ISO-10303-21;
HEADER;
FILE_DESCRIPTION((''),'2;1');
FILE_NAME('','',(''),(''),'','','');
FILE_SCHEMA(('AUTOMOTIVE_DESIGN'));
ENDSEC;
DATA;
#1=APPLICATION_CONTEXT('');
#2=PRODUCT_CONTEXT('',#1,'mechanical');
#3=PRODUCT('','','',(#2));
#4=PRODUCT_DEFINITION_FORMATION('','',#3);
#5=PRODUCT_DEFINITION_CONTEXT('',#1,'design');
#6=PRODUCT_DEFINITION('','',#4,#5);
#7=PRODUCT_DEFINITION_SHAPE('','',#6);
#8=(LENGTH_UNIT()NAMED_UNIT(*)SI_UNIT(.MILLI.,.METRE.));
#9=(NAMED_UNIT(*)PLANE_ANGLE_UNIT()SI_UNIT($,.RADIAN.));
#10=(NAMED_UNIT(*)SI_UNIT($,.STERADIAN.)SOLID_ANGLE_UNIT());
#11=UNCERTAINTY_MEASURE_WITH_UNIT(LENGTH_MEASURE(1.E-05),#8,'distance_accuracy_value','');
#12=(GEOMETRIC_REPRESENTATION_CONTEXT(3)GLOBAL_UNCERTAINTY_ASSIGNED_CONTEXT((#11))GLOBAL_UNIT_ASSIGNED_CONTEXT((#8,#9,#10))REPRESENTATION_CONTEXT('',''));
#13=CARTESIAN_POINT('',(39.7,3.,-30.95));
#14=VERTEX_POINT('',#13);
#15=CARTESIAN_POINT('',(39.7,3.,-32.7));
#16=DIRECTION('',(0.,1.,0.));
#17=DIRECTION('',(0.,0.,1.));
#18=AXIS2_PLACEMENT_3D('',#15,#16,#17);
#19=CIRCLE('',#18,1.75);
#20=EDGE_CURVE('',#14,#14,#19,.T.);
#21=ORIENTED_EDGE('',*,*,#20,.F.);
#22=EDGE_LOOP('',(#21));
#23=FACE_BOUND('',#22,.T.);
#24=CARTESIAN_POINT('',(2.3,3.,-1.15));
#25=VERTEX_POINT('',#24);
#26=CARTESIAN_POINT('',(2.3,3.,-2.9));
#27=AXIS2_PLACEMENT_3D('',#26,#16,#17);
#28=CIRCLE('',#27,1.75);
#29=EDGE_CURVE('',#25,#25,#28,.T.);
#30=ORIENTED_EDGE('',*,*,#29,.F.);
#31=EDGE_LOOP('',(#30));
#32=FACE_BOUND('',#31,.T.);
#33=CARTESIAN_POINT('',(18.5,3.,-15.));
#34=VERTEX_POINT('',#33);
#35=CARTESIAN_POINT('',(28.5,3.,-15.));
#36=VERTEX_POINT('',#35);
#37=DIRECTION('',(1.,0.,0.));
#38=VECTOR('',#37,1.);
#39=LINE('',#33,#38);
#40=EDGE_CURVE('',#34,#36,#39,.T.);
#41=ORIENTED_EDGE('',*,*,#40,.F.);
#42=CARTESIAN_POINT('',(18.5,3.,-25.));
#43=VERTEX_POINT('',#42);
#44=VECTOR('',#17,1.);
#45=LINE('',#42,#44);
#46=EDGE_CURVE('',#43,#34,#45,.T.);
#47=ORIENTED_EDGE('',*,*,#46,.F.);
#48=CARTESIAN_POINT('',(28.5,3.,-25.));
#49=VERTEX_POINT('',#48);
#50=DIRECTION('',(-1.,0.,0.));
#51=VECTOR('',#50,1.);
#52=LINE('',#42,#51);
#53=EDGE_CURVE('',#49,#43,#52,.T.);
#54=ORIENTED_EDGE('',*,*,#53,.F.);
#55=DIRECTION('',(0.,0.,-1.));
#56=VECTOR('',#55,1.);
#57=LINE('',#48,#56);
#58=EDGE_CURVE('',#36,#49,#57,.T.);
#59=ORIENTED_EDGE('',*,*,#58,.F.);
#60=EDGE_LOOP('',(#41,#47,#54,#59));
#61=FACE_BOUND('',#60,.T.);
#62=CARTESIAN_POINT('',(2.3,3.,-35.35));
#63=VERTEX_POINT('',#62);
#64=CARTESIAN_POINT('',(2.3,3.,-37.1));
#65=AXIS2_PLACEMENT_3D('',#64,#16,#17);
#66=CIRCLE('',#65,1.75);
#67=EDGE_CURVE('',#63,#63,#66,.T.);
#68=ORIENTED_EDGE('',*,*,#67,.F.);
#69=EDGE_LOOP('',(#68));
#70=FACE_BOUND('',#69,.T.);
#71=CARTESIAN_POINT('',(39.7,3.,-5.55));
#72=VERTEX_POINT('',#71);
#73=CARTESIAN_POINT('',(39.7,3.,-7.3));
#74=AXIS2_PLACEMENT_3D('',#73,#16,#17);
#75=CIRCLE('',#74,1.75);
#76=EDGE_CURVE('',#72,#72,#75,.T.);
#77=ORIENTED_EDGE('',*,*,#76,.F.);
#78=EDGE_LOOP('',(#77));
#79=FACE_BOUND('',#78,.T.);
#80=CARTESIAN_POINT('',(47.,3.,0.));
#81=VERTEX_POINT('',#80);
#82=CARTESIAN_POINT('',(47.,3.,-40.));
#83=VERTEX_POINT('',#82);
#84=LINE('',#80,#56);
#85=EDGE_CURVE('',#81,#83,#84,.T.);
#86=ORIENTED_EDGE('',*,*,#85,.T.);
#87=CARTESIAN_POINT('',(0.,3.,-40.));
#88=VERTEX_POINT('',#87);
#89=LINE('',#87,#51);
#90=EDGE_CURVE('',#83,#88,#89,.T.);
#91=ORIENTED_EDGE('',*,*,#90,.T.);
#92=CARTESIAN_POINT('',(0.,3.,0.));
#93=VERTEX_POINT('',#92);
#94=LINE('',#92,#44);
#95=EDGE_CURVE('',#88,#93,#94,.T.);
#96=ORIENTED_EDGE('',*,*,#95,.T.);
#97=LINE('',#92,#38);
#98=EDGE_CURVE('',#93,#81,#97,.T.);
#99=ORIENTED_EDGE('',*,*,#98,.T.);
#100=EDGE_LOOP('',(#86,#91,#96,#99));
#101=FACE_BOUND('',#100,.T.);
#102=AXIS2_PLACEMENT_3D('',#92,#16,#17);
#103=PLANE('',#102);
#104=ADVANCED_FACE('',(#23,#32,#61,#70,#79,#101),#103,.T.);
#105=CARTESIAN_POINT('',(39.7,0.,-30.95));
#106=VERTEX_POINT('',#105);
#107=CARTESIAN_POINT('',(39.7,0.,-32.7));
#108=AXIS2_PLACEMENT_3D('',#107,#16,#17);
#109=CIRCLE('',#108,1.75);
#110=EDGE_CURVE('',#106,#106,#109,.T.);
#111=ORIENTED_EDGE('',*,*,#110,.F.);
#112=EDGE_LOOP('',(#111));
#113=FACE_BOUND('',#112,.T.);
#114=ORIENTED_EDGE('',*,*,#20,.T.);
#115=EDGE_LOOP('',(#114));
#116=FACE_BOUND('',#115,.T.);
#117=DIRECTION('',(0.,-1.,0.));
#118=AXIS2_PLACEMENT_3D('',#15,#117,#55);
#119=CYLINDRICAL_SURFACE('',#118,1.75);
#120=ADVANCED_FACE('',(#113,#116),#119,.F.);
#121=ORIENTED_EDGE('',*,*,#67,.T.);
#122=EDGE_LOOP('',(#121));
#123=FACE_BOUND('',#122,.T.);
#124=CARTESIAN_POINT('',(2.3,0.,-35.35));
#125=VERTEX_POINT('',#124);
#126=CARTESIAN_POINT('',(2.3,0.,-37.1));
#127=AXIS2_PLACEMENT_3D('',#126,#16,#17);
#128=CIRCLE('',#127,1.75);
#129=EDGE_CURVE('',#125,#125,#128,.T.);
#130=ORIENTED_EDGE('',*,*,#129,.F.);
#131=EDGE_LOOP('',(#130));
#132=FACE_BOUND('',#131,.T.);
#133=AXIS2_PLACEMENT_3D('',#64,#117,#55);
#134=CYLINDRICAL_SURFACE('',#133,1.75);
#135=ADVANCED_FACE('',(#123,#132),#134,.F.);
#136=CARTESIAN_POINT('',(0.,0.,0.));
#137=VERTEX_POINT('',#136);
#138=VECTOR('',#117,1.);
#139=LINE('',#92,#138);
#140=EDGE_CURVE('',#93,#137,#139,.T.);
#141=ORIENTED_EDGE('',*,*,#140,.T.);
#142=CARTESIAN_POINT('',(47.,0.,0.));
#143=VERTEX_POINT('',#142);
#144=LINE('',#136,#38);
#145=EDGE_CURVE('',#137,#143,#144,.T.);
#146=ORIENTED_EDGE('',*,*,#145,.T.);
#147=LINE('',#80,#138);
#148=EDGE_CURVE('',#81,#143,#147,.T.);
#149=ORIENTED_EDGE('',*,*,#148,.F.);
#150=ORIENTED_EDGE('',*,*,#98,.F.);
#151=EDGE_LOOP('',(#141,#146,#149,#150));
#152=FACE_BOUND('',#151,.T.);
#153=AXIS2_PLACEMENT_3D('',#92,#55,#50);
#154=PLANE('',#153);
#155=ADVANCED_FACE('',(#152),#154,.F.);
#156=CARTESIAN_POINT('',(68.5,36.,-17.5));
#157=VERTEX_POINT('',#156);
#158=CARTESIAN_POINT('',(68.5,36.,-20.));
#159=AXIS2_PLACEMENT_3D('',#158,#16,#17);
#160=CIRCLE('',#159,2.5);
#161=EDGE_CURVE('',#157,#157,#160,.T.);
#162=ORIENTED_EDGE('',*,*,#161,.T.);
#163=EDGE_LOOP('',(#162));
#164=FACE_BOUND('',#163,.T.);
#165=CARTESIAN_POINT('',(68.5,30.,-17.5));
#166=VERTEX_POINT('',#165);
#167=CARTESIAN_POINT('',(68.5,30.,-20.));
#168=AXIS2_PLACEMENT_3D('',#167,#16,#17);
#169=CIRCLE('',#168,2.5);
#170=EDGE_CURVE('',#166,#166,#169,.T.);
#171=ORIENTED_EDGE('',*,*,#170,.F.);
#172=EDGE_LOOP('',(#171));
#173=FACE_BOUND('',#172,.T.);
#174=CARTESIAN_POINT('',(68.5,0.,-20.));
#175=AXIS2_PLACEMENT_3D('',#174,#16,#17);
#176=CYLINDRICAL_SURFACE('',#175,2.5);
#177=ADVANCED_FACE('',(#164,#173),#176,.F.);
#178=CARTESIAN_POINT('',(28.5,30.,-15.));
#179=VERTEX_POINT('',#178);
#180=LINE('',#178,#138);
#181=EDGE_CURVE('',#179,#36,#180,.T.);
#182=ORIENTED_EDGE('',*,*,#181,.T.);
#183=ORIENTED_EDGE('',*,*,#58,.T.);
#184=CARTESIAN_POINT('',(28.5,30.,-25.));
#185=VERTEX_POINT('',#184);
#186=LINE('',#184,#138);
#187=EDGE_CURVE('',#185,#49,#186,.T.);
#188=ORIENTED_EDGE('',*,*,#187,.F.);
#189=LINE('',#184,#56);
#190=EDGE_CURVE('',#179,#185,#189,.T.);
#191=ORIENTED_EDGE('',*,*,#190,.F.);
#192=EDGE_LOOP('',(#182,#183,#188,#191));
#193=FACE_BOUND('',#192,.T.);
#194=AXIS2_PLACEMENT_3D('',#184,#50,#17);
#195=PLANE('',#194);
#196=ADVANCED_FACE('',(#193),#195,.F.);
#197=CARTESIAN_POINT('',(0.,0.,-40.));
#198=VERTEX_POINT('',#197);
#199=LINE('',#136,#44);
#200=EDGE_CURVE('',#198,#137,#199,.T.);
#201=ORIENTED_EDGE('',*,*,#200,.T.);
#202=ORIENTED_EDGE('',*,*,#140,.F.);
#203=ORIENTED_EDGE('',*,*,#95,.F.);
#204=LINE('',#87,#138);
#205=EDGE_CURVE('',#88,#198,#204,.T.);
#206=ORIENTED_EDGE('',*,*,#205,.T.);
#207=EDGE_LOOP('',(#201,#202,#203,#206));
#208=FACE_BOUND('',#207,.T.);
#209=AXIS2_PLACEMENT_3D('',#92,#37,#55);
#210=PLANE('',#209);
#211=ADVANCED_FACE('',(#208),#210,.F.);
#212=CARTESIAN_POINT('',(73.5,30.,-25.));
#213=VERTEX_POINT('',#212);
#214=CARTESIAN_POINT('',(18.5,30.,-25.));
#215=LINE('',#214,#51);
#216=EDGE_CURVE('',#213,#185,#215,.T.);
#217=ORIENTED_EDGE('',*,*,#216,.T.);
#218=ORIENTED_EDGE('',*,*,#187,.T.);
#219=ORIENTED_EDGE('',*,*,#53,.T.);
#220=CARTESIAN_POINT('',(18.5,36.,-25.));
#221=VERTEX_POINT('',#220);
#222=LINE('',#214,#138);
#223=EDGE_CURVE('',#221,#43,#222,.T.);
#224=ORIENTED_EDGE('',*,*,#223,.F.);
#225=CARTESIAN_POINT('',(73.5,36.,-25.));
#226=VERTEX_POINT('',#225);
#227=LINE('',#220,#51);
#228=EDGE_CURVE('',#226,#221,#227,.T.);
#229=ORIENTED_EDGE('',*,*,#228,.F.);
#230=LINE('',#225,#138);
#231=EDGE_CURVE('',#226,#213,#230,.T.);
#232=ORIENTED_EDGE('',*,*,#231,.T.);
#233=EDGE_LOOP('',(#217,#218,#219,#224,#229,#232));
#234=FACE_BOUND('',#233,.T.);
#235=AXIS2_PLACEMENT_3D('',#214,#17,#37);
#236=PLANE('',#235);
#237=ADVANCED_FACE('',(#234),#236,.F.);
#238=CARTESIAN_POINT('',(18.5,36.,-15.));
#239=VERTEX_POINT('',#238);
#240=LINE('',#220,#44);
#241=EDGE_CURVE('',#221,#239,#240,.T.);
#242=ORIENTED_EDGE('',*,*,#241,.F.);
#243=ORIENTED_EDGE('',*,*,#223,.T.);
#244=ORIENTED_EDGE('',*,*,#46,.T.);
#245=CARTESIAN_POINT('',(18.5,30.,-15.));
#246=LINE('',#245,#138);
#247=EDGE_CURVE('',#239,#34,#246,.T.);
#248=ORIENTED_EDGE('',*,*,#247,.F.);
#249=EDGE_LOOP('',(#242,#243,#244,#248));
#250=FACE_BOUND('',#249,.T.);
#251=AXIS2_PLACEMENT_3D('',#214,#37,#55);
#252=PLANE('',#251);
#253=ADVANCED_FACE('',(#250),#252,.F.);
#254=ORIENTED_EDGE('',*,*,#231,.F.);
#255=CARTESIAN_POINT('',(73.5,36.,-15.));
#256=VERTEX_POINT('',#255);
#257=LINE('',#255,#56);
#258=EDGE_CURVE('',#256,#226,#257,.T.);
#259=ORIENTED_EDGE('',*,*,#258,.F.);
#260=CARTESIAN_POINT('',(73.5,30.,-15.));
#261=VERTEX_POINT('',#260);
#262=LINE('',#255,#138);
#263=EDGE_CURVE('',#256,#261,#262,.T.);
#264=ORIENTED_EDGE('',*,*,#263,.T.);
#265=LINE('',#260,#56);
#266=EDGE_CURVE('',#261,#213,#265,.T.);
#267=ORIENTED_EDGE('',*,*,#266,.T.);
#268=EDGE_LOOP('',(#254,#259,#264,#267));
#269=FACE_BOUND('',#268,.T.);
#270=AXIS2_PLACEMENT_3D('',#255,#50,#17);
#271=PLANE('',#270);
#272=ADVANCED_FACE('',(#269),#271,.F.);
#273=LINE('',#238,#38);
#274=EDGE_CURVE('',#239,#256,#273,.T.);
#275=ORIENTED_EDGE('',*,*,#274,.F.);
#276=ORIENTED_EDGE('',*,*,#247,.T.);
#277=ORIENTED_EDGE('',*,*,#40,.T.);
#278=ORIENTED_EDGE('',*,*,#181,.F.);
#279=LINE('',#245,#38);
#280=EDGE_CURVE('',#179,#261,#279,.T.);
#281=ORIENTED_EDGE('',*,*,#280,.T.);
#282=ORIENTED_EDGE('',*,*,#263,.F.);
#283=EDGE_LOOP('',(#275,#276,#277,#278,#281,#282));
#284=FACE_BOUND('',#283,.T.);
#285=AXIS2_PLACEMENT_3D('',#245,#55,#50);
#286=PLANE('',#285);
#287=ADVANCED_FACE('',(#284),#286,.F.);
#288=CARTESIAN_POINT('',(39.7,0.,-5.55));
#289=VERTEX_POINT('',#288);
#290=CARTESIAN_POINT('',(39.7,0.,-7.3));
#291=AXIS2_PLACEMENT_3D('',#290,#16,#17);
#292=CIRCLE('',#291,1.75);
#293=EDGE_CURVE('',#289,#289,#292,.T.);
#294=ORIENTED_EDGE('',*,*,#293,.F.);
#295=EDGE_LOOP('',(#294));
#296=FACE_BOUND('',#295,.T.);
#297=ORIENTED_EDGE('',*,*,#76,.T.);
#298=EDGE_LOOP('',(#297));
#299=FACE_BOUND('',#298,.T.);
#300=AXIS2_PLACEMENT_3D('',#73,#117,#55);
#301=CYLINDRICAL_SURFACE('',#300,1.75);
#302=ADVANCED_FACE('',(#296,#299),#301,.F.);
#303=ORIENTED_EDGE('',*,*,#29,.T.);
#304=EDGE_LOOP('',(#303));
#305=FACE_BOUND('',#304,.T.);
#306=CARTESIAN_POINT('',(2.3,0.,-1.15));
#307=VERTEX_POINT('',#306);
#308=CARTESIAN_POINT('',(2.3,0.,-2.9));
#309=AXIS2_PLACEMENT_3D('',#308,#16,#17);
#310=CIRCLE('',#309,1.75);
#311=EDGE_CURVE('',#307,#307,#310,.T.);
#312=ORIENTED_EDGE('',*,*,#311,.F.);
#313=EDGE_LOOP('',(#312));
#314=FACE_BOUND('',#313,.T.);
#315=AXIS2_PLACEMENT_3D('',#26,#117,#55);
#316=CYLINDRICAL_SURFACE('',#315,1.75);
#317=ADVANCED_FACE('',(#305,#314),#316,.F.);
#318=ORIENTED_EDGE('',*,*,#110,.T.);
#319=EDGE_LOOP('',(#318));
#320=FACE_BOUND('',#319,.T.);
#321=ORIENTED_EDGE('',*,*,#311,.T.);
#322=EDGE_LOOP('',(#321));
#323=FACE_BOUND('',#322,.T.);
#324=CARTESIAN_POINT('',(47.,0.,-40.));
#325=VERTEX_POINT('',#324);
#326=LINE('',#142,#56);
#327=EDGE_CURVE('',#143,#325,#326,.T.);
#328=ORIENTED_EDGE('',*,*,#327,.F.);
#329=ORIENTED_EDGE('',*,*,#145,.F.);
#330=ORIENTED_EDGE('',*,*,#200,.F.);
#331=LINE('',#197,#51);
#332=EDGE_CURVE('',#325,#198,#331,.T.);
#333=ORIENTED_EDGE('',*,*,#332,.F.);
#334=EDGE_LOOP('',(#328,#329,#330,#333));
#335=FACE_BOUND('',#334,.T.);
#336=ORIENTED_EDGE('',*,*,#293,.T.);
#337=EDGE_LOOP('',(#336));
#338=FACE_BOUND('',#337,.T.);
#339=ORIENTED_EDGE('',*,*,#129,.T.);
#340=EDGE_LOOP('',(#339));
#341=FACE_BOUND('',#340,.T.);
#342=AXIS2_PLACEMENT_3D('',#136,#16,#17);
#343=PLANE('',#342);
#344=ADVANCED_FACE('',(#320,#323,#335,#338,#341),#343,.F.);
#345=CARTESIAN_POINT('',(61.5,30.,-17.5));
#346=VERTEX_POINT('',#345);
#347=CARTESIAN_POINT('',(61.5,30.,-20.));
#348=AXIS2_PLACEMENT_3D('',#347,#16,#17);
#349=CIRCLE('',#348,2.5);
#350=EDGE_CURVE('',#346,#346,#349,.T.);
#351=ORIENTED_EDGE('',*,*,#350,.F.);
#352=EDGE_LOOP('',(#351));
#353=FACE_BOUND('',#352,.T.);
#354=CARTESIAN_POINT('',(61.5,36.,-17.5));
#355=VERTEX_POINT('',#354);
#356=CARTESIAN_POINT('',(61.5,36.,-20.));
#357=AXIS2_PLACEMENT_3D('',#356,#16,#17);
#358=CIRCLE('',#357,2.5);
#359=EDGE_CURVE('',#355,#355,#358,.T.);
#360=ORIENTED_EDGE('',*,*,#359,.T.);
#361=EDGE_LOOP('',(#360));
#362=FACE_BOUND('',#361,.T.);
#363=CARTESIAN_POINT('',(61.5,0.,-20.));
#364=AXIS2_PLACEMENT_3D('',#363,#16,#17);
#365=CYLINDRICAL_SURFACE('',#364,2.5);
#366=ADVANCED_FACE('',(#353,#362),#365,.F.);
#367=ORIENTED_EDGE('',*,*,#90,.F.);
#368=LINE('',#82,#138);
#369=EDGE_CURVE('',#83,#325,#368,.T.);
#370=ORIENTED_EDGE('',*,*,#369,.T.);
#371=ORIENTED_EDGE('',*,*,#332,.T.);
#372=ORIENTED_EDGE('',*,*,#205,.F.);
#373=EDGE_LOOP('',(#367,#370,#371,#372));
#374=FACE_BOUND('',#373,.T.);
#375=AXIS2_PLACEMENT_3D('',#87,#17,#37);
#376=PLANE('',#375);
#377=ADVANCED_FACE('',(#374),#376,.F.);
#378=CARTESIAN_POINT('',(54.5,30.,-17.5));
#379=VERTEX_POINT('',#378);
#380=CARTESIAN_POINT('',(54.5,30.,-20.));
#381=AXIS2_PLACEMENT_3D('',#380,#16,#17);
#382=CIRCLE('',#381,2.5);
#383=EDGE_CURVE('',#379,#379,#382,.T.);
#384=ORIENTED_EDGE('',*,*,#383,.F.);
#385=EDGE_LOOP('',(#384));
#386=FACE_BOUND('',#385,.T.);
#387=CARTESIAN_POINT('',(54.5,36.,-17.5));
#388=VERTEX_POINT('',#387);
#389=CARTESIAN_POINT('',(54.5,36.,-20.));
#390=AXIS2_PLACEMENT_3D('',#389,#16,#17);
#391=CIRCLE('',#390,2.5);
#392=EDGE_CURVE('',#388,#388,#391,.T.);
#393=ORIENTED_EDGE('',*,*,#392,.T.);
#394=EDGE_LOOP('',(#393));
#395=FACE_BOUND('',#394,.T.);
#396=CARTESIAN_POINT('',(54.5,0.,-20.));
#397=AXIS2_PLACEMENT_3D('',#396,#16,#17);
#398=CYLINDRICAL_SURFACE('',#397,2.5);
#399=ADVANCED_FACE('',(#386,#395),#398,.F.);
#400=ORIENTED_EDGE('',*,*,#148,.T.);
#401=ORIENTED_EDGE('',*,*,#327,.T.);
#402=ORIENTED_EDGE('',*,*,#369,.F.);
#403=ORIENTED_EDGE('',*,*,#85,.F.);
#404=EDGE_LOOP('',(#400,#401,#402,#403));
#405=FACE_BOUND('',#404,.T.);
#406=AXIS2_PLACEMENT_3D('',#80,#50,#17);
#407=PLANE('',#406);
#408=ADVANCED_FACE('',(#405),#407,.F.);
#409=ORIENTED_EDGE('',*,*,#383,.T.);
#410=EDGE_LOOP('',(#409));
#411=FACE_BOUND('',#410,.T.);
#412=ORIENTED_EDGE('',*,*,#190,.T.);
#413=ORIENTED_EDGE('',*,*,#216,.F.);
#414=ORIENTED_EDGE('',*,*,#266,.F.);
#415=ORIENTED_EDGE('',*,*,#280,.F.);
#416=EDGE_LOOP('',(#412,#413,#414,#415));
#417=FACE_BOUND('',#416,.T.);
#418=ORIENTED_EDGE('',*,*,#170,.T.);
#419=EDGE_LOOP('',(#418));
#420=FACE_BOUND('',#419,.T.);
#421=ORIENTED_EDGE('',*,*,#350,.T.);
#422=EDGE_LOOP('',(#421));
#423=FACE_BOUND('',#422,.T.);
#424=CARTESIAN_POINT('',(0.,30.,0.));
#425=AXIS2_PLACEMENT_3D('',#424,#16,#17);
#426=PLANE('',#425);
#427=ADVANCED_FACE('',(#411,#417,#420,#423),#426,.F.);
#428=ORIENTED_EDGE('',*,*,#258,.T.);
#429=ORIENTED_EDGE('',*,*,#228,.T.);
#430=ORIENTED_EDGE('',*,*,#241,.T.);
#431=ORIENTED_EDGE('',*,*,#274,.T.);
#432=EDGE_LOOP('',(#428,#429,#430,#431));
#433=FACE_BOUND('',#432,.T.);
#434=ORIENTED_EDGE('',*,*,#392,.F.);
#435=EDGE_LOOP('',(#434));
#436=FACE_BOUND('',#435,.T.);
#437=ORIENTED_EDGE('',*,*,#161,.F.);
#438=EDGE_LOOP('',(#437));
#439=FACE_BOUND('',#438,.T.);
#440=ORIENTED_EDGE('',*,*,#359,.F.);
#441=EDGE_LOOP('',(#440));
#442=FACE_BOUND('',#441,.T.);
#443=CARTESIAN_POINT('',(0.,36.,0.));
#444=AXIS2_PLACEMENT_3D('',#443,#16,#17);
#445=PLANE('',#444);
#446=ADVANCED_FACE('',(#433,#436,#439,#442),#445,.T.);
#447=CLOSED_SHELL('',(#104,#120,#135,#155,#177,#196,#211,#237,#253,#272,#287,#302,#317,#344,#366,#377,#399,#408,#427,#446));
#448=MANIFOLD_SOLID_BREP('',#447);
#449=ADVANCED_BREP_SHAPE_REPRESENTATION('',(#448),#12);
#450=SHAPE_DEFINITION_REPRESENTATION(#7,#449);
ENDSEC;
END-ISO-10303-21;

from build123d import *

# Parameters (mm, degrees)
SKETCH1_W           = 47
SKETCH1_H           = 40
SKETCH1_R           = 1.75
BOSS_EXTRUDE1_DEPTH = 3
SKETCH2_W           = 10
SKETCH2_H           = 10
BOSS_EXTRUDE3_DEPTH = 27
SKETCH3_W           = 45
SKETCH3_H           = 10
SKETCH3_W_2         = 10
BOSS_EXTRUDE4_DEPTH = 6
SKETCH4_W           = 55
SKETCH4_H           = 10
CUT_EXTRUDE1_DEPTH  = 6
SKETCH5_W           = 55
SKETCH5_H           = 10
BOSS_EXTRUDE5_DEPTH = 6
SKETCH6_R           = 2.5
CUT_EXTRUDE2_DEPTH  = 92.094730912


with BuildPart() as part:
    # Sketch1 → Boss-Extrude1 (new body)
    with BuildSketch(Plane(origin=(0, 0, 0), x_dir=(1, 0, 0), z_dir=(0, 1, 0))):
        with Locations((23.5, 20)):
            Rectangle(SKETCH1_W, SKETCH1_H)
        with Locations(Location((2.3, 2.9, 0), (0, 0, 270))):
            Circle(SKETCH1_R, mode=Mode.SUBTRACT)
        with Locations(Location((2.3, 37.1, 0), (0, 0, 270))):
            Circle(SKETCH1_R, mode=Mode.SUBTRACT)
        with Locations(Location((39.7, 32.7, 0), (0, 0, 270))):
            Circle(SKETCH1_R, mode=Mode.SUBTRACT)
        with Locations(Location((39.7, 7.3, 0), (0, 0, 270))):
            Circle(SKETCH1_R, mode=Mode.SUBTRACT)
    extrude(amount=BOSS_EXTRUDE1_DEPTH)

    # Sketch2 → Boss-Extrude3 (add)
    with BuildSketch(Plane(origin=(0, 3, 0), x_dir=(1, 0, 0), z_dir=(0, 1, 0))):
        with Locations((23.5, 20)):
            Rectangle(SKETCH2_W, SKETCH2_H)
    extrude(amount=BOSS_EXTRUDE3_DEPTH)

    # Sketch3 → Boss-Extrude4 (add)
    with BuildSketch(Plane(origin=(0, 30, 0), x_dir=(1, 0, 0), z_dir=(0, 1, 0))):
        with Locations((51, 20)):
            Rectangle(SKETCH3_W, SKETCH3_H)
        with Locations((23.5, 20)):
            Rectangle(SKETCH3_W_2, SKETCH3_H)
    extrude(amount=BOSS_EXTRUDE4_DEPTH)

    # Sketch4 → Cut-Extrude1 (cut)
    with BuildSketch(Plane(origin=(0, 36, 0), x_dir=(1, 0, 0), z_dir=(0, 1, 0))):
        with Locations((46, 20)):
            Rectangle(SKETCH4_W, SKETCH4_H)
    extrude(amount=-CUT_EXTRUDE1_DEPTH, mode=Mode.SUBTRACT)

    # Sketch5 → Boss-Extrude5 (add)
    with BuildSketch(Plane(origin=(0, 30, 0), x_dir=(1, 0, 0), z_dir=(0, 1, 0))):
        with Locations((46, 20)):
            Rectangle(SKETCH5_W, SKETCH5_H)
    extrude(amount=BOSS_EXTRUDE5_DEPTH)

    # Sketch6 → Cut-Extrude2 (cut, through all)
    with BuildSketch(Plane(origin=(0, 36, 0), x_dir=(1, 0, 0), z_dir=(0, 1, 0))):
        with Locations(Location((68.5, 20, 0), (0, 0, 270))):
            Circle(SKETCH6_R)
        with Locations(Location((61.5, 20, 0), (0, 0, 270))):
            Circle(SKETCH6_R)
        with Locations(Location((54.5, 20, 0), (0, 0, 270))):
            Circle(SKETCH6_R)
    extrude(amount=-CUT_EXTRUDE2_DEPTH, mode=Mode.SUBTRACT)


solid = part.part
